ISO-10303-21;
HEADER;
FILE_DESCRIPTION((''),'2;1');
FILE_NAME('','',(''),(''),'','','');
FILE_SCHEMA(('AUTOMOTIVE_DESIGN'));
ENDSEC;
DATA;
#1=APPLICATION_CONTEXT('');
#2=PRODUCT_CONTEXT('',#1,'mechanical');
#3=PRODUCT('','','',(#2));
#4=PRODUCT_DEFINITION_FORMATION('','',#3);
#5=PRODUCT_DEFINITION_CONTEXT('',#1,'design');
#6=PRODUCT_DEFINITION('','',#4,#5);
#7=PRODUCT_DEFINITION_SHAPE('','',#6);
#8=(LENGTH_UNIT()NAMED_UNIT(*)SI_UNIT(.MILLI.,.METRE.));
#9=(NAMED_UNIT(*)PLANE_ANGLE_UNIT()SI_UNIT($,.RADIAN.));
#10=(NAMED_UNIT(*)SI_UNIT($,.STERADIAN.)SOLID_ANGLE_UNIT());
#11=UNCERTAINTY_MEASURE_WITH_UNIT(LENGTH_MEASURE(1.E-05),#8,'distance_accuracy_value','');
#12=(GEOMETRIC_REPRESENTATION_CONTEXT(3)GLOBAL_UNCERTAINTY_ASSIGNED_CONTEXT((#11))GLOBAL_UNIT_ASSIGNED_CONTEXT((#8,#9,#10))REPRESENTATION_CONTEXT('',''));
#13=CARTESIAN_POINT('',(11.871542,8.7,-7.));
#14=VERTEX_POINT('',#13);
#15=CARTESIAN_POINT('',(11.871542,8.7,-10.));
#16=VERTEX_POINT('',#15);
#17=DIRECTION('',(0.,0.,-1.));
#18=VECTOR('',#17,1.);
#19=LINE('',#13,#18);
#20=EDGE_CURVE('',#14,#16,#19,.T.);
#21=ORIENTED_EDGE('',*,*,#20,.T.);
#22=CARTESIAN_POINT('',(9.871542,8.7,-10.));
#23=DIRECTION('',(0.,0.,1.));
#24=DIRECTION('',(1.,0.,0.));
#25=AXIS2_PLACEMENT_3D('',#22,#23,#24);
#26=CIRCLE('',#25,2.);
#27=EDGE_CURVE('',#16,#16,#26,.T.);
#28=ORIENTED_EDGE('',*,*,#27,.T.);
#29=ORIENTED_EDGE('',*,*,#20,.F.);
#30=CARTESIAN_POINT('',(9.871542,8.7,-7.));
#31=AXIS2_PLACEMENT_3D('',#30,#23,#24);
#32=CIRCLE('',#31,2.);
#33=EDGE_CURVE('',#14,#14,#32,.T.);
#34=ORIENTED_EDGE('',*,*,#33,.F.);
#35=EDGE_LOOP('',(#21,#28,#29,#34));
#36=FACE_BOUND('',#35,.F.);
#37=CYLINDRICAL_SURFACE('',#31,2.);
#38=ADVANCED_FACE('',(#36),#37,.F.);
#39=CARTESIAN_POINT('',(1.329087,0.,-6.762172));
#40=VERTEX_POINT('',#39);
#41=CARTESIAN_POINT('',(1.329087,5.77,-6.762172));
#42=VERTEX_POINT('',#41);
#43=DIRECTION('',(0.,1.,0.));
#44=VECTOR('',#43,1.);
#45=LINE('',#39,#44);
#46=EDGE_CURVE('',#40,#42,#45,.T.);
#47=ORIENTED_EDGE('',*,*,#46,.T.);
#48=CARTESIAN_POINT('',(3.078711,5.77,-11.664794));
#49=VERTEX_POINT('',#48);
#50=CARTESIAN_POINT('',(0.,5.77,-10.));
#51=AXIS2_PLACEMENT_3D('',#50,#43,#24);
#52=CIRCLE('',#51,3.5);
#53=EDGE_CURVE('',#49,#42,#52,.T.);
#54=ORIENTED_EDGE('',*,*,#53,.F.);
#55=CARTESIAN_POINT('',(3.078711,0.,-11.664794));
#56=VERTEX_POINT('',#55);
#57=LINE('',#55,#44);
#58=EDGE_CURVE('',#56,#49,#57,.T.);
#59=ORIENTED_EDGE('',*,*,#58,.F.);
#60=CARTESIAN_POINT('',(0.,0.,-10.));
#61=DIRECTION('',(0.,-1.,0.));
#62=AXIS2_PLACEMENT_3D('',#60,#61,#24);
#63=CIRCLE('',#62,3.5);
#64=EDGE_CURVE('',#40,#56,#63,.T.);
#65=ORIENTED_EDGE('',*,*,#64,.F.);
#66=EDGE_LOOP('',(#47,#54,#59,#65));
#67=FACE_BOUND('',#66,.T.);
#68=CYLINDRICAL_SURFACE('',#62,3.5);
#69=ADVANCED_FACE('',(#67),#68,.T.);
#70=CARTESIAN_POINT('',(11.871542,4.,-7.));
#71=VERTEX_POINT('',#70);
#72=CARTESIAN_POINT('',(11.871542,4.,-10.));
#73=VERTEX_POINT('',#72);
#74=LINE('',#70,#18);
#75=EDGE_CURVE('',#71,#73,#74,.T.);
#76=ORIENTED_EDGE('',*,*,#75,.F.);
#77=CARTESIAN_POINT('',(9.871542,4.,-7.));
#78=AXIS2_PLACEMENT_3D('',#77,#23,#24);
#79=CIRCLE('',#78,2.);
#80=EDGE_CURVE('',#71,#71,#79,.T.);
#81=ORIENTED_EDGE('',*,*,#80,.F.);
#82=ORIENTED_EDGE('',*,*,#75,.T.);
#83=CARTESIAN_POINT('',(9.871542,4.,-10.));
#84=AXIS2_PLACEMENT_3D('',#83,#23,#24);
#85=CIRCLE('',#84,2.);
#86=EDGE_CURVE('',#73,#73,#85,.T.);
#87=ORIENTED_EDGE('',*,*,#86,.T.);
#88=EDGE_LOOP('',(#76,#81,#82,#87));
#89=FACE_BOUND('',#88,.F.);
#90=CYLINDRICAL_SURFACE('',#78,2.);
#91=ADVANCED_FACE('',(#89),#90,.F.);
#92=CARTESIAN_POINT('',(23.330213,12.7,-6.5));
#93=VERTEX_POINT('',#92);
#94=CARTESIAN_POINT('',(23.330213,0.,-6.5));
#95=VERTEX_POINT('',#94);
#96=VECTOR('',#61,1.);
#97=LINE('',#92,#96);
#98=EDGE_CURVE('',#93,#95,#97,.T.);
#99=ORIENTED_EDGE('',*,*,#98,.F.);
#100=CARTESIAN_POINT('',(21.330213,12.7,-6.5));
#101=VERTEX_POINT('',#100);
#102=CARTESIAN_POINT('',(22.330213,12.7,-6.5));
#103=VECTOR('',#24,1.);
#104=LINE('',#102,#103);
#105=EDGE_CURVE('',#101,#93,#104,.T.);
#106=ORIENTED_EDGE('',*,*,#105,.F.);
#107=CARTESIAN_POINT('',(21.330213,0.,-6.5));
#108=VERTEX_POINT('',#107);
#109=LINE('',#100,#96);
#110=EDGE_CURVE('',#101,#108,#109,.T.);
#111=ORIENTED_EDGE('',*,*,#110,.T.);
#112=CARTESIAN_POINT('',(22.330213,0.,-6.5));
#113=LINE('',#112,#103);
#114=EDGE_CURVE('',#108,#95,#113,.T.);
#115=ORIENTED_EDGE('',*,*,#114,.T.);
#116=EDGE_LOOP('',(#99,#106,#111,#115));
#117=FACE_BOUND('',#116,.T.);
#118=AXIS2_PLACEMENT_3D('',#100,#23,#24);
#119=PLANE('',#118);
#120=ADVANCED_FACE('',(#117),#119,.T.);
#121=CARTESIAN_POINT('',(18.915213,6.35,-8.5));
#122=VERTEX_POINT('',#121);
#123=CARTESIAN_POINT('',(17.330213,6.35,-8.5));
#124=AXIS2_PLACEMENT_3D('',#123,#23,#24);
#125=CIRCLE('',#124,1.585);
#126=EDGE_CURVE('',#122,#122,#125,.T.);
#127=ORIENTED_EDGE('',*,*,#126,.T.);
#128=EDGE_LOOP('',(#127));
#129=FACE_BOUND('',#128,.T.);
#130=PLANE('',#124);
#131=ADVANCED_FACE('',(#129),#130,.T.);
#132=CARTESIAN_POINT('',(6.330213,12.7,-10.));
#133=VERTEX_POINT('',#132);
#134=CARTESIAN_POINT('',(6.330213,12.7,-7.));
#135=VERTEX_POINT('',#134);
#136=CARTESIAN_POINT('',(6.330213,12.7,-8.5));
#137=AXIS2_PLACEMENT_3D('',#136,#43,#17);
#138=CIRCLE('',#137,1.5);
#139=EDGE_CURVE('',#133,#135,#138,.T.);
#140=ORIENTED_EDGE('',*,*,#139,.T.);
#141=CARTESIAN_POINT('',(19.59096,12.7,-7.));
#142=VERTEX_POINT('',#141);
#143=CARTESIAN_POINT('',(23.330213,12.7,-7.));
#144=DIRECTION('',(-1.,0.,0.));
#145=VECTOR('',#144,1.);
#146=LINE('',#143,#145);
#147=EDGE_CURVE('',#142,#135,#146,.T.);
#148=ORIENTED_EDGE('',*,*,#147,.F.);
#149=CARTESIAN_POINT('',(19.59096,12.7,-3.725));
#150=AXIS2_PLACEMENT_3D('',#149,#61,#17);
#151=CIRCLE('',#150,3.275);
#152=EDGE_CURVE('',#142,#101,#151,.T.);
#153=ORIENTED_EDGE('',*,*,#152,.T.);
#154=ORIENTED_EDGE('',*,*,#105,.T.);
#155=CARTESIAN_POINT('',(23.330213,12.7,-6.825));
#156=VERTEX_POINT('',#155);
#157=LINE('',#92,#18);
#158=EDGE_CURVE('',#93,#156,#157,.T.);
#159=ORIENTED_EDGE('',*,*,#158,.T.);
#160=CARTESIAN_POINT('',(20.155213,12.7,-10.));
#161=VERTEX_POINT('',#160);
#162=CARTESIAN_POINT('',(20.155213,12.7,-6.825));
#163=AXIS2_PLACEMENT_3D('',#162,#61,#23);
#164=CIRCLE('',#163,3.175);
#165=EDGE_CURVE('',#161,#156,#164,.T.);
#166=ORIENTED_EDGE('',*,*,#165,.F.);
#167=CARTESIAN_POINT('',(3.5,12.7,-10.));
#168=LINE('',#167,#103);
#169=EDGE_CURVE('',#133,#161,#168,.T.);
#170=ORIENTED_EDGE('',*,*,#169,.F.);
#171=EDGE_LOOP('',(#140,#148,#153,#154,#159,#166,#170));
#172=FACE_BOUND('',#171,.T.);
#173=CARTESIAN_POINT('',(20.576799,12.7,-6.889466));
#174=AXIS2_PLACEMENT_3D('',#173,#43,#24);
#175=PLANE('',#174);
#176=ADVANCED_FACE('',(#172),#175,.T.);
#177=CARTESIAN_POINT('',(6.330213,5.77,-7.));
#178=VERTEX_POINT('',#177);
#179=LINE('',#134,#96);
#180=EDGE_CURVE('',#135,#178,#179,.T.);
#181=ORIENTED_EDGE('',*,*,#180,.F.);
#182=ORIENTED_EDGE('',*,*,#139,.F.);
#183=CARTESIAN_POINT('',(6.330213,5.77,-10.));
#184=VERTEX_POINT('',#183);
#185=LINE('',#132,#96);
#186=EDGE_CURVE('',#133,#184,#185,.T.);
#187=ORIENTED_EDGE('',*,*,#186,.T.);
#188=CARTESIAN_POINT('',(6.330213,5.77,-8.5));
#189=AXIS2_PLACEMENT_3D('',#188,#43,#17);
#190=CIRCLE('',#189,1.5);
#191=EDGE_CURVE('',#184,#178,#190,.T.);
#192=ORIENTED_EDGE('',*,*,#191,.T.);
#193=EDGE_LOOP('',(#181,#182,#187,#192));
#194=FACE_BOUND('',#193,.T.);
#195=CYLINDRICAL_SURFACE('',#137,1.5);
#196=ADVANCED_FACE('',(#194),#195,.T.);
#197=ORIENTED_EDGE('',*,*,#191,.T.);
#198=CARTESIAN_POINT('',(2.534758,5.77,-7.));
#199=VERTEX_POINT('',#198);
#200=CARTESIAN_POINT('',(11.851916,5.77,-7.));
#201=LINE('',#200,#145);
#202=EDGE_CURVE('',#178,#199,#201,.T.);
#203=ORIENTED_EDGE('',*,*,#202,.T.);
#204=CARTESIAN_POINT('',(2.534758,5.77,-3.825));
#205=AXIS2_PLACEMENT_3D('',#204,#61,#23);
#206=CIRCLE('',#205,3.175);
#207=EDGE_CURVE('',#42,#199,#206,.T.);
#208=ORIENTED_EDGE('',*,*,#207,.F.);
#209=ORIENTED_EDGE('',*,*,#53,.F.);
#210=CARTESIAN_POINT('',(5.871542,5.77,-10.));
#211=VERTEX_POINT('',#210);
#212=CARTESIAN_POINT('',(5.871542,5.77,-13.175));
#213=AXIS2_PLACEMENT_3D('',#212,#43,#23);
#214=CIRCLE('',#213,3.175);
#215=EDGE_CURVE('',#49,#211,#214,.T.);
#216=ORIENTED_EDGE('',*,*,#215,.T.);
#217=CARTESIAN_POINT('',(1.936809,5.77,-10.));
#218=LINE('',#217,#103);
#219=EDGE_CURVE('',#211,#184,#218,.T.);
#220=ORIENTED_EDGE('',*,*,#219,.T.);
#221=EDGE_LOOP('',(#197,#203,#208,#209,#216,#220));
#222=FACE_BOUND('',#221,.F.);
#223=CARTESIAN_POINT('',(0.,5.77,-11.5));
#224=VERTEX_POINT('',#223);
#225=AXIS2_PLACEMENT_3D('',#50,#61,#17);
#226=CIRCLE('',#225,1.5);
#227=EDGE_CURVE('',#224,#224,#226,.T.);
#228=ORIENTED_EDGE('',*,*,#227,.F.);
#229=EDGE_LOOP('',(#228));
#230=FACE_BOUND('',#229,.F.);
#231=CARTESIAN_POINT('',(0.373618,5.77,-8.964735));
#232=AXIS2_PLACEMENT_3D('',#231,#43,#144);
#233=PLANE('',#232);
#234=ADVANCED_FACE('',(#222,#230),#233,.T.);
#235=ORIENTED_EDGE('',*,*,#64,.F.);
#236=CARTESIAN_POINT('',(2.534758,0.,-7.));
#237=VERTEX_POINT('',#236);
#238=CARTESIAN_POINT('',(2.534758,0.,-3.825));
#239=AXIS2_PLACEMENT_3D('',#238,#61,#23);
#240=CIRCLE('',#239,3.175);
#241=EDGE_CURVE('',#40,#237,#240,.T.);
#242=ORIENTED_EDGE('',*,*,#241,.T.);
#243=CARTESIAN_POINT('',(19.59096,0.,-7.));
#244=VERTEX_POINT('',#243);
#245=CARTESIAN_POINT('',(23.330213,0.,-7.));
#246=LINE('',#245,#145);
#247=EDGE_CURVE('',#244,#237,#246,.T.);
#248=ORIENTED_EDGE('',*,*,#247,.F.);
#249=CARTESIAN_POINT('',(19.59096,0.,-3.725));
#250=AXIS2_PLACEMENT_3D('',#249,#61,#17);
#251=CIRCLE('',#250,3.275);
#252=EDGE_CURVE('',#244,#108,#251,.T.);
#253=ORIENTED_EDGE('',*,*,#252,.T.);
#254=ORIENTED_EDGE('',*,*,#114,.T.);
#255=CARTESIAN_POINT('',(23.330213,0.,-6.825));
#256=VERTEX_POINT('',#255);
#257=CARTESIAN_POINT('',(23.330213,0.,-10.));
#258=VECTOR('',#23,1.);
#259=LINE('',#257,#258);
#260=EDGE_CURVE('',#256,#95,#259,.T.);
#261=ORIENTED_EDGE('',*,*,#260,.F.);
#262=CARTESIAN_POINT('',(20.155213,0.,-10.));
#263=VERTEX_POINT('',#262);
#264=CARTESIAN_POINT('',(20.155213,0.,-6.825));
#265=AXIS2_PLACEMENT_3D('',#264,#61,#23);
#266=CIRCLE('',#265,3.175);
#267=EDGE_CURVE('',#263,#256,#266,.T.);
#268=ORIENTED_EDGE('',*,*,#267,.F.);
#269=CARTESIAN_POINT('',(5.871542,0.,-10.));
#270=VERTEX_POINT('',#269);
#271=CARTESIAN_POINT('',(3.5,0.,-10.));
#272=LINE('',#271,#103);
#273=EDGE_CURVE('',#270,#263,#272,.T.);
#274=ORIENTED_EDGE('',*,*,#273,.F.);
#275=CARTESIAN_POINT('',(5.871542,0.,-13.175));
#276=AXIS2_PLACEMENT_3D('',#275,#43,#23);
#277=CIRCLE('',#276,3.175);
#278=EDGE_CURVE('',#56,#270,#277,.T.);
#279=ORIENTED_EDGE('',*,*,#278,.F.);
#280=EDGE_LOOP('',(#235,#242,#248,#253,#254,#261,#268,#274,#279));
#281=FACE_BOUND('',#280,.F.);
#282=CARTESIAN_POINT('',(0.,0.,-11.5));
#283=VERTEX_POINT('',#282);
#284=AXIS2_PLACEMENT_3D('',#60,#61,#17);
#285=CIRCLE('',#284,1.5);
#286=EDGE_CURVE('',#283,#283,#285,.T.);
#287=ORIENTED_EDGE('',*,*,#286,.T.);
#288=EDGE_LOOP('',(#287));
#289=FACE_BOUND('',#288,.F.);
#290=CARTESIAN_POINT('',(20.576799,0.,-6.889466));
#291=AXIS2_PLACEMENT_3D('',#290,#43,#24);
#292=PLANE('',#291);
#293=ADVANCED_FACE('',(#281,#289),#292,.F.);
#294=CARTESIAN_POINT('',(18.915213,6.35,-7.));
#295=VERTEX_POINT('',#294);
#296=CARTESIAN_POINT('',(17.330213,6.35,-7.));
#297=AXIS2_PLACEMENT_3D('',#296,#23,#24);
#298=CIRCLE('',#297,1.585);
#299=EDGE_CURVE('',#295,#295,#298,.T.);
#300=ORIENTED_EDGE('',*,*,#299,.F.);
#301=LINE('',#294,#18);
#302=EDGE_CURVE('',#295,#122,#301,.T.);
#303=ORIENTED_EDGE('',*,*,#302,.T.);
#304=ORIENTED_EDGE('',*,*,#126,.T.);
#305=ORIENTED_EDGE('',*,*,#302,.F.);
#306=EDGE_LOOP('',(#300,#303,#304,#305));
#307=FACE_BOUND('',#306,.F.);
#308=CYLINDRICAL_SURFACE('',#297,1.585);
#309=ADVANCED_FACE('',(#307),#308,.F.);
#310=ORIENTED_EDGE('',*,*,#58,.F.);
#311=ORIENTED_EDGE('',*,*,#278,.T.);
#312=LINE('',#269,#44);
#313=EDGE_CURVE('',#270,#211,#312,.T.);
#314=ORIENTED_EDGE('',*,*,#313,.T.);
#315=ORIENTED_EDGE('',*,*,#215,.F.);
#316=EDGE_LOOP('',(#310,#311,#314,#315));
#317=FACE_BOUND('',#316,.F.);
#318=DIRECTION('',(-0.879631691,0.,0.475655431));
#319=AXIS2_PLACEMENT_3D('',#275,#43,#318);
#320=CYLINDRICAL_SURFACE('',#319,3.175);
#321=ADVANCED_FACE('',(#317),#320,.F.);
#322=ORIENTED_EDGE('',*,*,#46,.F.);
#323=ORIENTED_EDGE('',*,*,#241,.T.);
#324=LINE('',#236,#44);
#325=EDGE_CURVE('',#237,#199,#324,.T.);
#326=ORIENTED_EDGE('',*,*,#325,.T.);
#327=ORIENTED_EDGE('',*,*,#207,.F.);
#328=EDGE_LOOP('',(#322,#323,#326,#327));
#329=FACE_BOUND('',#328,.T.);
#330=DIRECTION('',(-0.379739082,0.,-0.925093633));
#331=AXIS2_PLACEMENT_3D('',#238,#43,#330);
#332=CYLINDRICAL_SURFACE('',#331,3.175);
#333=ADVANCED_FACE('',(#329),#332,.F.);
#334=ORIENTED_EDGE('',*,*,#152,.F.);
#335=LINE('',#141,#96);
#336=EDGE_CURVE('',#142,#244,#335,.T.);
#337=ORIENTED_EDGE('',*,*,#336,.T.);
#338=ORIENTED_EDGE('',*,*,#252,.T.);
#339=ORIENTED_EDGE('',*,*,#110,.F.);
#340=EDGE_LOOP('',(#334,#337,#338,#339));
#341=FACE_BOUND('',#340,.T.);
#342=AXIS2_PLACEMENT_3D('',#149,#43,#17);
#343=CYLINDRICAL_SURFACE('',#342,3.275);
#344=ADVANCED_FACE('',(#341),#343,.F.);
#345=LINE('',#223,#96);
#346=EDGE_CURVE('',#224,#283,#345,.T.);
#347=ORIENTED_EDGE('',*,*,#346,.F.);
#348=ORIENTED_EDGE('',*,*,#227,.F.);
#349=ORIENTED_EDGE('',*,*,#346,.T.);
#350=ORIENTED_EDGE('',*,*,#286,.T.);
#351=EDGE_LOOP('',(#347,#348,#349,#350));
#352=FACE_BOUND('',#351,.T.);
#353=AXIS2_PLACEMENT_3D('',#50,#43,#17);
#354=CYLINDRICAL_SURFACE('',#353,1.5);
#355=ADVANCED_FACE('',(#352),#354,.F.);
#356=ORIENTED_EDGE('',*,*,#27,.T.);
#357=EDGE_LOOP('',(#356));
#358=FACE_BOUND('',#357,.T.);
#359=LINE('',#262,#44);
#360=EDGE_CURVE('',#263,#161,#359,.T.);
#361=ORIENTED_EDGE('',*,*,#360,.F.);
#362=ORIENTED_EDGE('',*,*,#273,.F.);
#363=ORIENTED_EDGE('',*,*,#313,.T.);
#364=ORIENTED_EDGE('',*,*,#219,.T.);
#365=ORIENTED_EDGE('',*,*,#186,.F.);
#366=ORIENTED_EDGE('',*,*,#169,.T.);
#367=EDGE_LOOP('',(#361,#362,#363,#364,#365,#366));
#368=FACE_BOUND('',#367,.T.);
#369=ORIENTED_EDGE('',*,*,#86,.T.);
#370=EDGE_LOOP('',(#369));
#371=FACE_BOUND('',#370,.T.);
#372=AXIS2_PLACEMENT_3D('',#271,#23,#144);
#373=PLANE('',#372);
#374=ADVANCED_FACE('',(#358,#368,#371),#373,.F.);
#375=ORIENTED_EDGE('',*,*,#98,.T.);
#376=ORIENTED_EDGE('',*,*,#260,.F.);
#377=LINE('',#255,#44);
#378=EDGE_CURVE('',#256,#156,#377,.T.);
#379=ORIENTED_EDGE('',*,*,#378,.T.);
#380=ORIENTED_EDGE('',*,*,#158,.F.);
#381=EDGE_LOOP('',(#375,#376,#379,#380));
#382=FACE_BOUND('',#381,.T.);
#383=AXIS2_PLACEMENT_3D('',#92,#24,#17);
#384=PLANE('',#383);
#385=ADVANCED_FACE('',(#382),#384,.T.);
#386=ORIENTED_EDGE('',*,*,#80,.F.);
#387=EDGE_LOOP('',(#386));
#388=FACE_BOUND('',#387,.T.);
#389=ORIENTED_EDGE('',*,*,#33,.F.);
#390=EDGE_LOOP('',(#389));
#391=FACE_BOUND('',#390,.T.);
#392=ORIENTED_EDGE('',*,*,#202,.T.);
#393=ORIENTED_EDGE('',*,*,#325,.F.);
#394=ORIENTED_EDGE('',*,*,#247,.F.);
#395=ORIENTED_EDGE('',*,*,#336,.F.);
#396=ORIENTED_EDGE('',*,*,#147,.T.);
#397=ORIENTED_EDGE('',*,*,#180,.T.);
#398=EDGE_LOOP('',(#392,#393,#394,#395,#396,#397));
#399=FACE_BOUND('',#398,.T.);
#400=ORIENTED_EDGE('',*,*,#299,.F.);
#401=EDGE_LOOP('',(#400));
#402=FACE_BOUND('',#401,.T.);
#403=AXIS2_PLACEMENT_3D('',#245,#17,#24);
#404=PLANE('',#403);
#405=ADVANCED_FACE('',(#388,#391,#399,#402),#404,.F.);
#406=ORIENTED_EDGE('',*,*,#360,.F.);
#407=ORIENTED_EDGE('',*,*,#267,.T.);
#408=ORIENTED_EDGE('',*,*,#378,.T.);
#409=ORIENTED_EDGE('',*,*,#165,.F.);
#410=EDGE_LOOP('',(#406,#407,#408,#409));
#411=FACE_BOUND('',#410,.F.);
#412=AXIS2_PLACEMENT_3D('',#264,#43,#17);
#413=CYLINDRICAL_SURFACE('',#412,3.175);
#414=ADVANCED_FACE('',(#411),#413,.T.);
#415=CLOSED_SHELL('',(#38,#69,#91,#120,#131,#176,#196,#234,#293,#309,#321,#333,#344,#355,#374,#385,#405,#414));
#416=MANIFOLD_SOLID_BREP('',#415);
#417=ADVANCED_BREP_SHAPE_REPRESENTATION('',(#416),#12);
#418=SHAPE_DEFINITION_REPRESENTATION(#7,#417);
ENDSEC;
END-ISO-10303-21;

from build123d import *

# Parameters (mm, degrees)
SKETCH1_R           = 3.5
BOSS_EXTRUDE1_DEPTH = 12.7
CUT_EXTRUDE1_DEPTH  = 6.93
SKETCH3_R           = 1.5
CUT_EXTRUDE2_DEPTH  = 6.77
SKETCH4_R           = 2
CUT_EXTRUDE3_DEPTH  = 10
SKETCH5_W           = 2
SKETCH5_H           = 0.5
BOSS_EXTRUDE2_DEPTH = 12.7
FILLET1_R           = 3.175
SKETCH6_R           = 1.585
CUT_EXTRUDE4_DEPTH  = 1.5


with BuildPart() as part:
    # Sketch1 → Boss-Extrude1 (new body)
    with BuildSketch(Plane(origin=(0, 0, 0), x_dir=(1, 0, 0), z_dir=(0, 1, 0))):
        Circle(SKETCH1_R)
        with BuildLine():
            ThreePointArc((1.802775638, 3), (3.046285831, 1.723410176), (3.5, 0))
            Line((3.5, 0), (23.330212793, 0))
            Line((23.330212793, 0), (23.330212793, 3))
            Line((23.330212793, 3), (1.802775638, 3))
        make_face()
    extrude(amount=BOSS_EXTRUDE1_DEPTH)

    # Sketch2 → Cut-Extrude1 (cut)
    with BuildSketch(Plane(origin=(0, 12.7, 0), x_dir=(1, 0, 0), z_dir=(0, 1, 0))):
        with BuildLine():
            ThreePointArc((6.330212793, 3), (-6.149926342, 1.5), (6.330212793, 0))
            Line((6.330212793, 0), (3.5, 0))
            ThreePointArc((3.5, 0), (-3.046285831, -1.723410176), (1.802775638, 3))
            Line((1.802775638, 3), (6.330212793, 3))
        make_face()
        with BuildLine():
            Line((3.5, 0), (6.330212793, 0))
            ThreePointArc((6.330212793, 0), (4.830212793, 1.5), (6.330212793, 3))
            Line((6.330212793, 3), (1.802775638, 3))
            ThreePointArc((1.802775638, 3), (-3.046285831, -1.723410176), (3.5, 0))
        make_face()
    extrude(amount=-CUT_EXTRUDE1_DEPTH, mode=Mode.SUBTRACT)

    # Sketch3 → Cut-Extrude2 (cut, through all)
    with BuildSketch(Plane(origin=(0, 5.77, 0), x_dir=(1, 0, 0), z_dir=(0, 1, 0))):
        with Locations(Location((0, 0, 0), (0, 0, 270))):  # turned: the seam where the file's is
            Circle(SKETCH3_R)
    extrude(amount=-CUT_EXTRUDE2_DEPTH, mode=Mode.SUBTRACT)


with BuildPart() as body_2:
    # Mirror1: mirrored copy
    add(part.part.mirror(Plane.XY.offset(-5)))

    # Sketch4 → Cut-Extrude3 (cut)
    with BuildSketch(Plane.XY.offset(-7)):
        with Locations((9.871541535, 8.7)):
            Circle(SKETCH4_R)
        with Locations((9.871541535, 4)):
            Circle(SKETCH4_R)
    extrude(amount=-CUT_EXTRUDE3_DEPTH, mode=Mode.SUBTRACT)

    # Sketch5 → Boss-Extrude2 (add)
    with BuildSketch(Plane(origin=(0, 12.7, 0), x_dir=(1, 0, 0), z_dir=(0, 1, 0))):
        with BuildLine():
            Line((21.330212793, 6.5), (21.330212793, 7))
            Line((21.330212793, 7), (19.59096008, 7))
            ThreePointArc((19.59096008, 7), (20.495808134, 6.872518864), (21.330212793, 6.5))
        make_face()
        with Locations((22.330212793, 6.75)):
            Rectangle(SKETCH5_W, SKETCH5_H)
    extrude(amount=-BOSS_EXTRUDE2_DEPTH)

    # Fillet1
    fillet1_edges = [body_2.edges().sort_by_distance(p)[0] for p in [
        (1.802775638, 2.885, -7),
        (3.5, 2.885, -10),
        (23.330212793, 6.35, -10),
    ]]
    fillet(fillet1_edges, radius=FILLET1_R)

    # Sketch6 → Cut-Extrude4 (cut)
    with BuildSketch(Plane.XY.offset(-7)):
        with Locations((17.330212793, 6.35)):
            Circle(SKETCH6_R)
    extrude(amount=-CUT_EXTRUDE4_DEPTH, mode=Mode.SUBTRACT)


solid = body_2.part
